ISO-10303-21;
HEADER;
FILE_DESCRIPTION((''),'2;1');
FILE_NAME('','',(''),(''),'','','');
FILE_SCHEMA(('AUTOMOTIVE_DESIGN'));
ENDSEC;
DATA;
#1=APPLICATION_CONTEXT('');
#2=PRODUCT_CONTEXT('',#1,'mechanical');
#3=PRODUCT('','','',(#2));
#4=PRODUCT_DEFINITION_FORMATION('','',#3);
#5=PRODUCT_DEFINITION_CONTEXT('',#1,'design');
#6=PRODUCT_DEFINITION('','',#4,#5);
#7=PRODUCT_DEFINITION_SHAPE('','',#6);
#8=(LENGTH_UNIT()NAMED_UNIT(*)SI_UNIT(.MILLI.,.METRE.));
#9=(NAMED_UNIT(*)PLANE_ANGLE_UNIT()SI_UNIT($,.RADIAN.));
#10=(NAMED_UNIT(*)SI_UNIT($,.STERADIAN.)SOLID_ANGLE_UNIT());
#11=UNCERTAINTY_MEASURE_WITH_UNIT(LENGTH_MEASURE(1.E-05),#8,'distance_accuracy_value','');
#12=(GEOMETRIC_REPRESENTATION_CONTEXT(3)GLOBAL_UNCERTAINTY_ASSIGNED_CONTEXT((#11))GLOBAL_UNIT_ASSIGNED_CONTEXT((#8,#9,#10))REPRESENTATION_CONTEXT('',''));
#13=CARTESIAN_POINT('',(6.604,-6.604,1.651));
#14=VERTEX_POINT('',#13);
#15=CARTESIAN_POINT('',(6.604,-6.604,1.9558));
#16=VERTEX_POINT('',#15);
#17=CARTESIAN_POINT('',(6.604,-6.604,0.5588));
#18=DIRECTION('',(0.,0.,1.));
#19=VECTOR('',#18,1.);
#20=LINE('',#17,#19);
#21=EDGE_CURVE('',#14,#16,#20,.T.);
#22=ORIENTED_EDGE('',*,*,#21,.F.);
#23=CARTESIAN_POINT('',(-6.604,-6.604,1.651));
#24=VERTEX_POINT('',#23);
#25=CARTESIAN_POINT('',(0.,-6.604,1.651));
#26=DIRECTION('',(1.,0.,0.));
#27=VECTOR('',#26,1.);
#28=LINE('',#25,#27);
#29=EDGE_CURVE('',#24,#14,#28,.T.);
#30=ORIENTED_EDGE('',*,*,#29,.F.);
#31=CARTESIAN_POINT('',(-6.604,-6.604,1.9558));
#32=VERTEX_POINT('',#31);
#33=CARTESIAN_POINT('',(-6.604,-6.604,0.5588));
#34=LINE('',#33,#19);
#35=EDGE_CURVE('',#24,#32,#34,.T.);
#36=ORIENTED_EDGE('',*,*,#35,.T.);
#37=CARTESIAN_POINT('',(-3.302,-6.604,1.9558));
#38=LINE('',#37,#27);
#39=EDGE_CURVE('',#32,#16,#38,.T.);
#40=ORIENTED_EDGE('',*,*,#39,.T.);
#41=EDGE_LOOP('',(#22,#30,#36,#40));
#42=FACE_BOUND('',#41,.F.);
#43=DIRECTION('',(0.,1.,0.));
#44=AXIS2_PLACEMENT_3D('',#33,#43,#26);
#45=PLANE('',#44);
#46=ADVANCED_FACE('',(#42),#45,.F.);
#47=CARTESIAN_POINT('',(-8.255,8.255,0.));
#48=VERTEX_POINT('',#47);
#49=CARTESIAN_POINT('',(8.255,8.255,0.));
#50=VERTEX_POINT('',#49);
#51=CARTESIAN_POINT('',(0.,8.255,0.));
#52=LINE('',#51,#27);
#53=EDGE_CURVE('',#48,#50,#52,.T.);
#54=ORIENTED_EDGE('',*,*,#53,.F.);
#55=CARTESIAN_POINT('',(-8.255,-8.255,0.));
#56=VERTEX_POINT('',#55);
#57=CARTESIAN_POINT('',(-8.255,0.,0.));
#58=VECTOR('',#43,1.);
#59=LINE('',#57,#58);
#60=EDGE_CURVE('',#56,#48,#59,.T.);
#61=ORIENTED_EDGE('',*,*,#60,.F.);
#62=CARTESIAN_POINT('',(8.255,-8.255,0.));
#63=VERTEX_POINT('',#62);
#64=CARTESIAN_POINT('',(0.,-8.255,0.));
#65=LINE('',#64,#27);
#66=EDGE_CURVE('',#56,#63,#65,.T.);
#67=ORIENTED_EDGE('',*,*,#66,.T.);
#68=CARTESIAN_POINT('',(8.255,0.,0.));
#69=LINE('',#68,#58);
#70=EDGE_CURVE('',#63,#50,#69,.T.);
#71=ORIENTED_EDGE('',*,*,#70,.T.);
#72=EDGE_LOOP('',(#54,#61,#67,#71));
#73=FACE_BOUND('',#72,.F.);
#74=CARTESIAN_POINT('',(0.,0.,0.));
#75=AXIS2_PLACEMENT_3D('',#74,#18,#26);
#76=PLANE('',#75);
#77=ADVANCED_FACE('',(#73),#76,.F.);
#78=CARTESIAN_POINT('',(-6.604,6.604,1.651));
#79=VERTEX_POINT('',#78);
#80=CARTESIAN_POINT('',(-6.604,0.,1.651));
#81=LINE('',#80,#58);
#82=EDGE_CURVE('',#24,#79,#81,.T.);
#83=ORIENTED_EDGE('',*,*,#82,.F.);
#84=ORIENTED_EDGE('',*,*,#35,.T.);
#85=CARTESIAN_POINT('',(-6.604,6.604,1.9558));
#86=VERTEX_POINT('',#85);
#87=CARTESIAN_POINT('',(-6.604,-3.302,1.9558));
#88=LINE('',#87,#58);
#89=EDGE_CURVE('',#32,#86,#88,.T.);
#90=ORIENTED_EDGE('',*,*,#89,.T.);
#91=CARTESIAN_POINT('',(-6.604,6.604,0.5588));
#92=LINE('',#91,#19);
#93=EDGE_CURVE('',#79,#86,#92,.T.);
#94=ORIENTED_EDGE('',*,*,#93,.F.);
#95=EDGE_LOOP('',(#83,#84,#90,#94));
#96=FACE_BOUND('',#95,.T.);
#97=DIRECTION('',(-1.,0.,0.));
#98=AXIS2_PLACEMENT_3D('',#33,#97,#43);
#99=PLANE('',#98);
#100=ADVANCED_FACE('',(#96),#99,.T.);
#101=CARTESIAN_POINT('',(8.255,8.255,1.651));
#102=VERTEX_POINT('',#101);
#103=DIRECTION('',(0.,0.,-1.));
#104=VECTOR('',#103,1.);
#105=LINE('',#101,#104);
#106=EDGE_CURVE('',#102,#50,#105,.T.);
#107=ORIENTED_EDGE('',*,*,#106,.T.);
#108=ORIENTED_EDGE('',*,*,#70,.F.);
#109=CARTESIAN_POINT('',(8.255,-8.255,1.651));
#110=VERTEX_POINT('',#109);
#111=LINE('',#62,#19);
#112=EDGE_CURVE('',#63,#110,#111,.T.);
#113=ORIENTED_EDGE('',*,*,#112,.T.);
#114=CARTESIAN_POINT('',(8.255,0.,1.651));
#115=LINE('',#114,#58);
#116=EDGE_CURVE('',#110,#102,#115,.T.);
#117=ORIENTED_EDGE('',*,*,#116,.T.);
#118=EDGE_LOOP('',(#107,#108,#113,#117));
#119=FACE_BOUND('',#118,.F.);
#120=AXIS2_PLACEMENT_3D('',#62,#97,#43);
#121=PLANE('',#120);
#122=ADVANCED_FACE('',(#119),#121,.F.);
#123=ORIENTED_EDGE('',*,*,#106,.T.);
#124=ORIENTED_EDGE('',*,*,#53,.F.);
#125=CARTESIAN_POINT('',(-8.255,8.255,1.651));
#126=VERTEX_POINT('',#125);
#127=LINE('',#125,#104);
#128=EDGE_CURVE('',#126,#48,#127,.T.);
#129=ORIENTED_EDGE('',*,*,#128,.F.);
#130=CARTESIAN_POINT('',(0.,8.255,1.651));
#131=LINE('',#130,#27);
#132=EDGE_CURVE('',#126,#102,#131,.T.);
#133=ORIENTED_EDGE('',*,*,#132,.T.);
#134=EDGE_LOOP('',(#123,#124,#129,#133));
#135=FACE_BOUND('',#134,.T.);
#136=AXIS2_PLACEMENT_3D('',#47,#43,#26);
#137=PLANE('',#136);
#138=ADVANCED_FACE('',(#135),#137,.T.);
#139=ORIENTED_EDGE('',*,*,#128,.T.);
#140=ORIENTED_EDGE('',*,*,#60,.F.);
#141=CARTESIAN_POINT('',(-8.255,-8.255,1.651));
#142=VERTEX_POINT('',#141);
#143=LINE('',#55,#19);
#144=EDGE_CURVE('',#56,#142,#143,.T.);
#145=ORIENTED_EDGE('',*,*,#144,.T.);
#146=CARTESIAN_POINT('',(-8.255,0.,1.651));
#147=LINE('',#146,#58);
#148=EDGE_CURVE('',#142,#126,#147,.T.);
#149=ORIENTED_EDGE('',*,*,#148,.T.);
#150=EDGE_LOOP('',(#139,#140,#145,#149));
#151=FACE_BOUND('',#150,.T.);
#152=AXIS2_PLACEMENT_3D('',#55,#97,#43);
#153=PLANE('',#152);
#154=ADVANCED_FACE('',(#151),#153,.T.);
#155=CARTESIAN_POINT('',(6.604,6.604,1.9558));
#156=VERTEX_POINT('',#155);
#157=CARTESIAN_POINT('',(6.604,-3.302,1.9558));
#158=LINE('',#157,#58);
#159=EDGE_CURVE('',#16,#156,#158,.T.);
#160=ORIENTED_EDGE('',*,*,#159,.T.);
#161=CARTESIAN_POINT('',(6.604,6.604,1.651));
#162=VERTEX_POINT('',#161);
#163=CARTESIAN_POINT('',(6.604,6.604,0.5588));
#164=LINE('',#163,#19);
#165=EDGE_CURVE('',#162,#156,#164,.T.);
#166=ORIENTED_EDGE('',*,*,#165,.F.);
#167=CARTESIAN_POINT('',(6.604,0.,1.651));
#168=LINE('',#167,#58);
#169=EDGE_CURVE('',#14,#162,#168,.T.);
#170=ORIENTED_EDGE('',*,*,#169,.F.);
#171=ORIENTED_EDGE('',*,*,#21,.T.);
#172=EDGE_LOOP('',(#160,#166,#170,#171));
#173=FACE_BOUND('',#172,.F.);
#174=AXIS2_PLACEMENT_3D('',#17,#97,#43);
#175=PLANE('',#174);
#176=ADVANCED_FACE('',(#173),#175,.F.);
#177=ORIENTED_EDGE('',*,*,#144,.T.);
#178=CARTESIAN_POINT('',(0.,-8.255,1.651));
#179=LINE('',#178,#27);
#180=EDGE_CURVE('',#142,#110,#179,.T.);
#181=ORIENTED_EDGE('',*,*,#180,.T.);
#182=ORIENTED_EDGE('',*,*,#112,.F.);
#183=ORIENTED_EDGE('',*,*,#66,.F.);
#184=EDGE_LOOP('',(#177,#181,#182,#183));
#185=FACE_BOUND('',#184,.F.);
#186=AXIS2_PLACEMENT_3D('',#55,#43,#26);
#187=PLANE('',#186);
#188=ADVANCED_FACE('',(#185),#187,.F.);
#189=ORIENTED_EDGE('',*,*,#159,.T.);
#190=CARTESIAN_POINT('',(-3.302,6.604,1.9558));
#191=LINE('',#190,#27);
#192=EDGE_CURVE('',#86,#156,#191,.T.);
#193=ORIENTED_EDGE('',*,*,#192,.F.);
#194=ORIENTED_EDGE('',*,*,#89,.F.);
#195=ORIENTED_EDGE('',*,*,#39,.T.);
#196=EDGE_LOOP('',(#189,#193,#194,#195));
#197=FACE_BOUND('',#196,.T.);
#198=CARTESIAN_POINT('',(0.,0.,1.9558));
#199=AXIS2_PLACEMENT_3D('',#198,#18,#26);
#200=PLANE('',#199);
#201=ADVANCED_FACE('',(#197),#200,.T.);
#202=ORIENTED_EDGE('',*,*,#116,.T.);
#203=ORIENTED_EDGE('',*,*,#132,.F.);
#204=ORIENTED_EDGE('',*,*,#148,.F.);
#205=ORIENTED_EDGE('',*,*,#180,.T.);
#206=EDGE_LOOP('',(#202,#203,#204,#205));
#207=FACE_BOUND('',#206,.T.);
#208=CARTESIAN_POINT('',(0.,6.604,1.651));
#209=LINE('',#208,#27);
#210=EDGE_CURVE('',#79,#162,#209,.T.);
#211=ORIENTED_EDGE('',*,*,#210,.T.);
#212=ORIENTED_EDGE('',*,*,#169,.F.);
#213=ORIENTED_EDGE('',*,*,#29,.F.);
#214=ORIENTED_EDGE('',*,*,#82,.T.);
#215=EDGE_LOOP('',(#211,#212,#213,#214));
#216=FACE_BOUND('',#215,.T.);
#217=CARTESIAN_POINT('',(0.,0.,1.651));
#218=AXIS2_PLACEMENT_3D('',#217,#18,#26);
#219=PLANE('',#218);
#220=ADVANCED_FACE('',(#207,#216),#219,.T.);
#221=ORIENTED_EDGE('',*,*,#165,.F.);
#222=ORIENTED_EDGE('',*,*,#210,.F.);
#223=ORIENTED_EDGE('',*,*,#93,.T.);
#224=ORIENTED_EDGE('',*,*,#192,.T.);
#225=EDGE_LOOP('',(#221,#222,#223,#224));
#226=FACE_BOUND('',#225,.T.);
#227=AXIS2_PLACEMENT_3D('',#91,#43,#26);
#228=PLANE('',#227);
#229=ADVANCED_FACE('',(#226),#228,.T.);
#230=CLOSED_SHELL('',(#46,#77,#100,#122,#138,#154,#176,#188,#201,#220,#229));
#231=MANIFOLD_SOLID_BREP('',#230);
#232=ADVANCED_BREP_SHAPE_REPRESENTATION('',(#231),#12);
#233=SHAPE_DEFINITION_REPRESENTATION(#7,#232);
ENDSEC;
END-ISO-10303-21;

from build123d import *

# Parameters (mm, degrees)
F0_W     = 16.51
F0_H     = 16.51
F0_W_2   = 13.208
F0_H_2   = 13.208
F1_DEPTH = 1.651
F0_W_3   = 10
F0_H_3   = 10
F2_DEPTH = 0.5588
F3_DEPTH = 1.397
F4_DEPTH = 1.524


with BuildPart() as f1:
    # F0 (on Top) → F1 (new body)
    with BuildSketch(Plane.XY):
        Rectangle(F0_W, F0_H)
        Rectangle(F0_W_2, F0_H_2, mode=Mode.SUBTRACT)
    extrude(amount=F1_DEPTH)

    # F0 (on Top) → F2 (join)
    with BuildSketch(Plane.XY):
        Rectangle(F0_W, F0_H)
        Rectangle(F0_W_2, F0_H_2, mode=Mode.SUBTRACT)
        Rectangle(F0_W_2, F0_H_2)
        Rectangle(F0_W_3, F0_H_3, mode=Mode.SUBTRACT)
        Rectangle(F0_W_3, F0_H_3)
    extrude(amount=F2_DEPTH)

    # F3 (add): a face of the model
    f3_faces = [f1.faces().sort_by_distance(p)[0] for p in [
        (0, 0, 0.5588),
    ]]
    extrude(f3_faces, amount=F3_DEPTH)

    # F0 (on Top) → F4 (join)
    with BuildSketch(Plane.XY):
        Rectangle(F0_W_3, F0_H_3)
    extrude(amount=F4_DEPTH)


solid = f1.part
